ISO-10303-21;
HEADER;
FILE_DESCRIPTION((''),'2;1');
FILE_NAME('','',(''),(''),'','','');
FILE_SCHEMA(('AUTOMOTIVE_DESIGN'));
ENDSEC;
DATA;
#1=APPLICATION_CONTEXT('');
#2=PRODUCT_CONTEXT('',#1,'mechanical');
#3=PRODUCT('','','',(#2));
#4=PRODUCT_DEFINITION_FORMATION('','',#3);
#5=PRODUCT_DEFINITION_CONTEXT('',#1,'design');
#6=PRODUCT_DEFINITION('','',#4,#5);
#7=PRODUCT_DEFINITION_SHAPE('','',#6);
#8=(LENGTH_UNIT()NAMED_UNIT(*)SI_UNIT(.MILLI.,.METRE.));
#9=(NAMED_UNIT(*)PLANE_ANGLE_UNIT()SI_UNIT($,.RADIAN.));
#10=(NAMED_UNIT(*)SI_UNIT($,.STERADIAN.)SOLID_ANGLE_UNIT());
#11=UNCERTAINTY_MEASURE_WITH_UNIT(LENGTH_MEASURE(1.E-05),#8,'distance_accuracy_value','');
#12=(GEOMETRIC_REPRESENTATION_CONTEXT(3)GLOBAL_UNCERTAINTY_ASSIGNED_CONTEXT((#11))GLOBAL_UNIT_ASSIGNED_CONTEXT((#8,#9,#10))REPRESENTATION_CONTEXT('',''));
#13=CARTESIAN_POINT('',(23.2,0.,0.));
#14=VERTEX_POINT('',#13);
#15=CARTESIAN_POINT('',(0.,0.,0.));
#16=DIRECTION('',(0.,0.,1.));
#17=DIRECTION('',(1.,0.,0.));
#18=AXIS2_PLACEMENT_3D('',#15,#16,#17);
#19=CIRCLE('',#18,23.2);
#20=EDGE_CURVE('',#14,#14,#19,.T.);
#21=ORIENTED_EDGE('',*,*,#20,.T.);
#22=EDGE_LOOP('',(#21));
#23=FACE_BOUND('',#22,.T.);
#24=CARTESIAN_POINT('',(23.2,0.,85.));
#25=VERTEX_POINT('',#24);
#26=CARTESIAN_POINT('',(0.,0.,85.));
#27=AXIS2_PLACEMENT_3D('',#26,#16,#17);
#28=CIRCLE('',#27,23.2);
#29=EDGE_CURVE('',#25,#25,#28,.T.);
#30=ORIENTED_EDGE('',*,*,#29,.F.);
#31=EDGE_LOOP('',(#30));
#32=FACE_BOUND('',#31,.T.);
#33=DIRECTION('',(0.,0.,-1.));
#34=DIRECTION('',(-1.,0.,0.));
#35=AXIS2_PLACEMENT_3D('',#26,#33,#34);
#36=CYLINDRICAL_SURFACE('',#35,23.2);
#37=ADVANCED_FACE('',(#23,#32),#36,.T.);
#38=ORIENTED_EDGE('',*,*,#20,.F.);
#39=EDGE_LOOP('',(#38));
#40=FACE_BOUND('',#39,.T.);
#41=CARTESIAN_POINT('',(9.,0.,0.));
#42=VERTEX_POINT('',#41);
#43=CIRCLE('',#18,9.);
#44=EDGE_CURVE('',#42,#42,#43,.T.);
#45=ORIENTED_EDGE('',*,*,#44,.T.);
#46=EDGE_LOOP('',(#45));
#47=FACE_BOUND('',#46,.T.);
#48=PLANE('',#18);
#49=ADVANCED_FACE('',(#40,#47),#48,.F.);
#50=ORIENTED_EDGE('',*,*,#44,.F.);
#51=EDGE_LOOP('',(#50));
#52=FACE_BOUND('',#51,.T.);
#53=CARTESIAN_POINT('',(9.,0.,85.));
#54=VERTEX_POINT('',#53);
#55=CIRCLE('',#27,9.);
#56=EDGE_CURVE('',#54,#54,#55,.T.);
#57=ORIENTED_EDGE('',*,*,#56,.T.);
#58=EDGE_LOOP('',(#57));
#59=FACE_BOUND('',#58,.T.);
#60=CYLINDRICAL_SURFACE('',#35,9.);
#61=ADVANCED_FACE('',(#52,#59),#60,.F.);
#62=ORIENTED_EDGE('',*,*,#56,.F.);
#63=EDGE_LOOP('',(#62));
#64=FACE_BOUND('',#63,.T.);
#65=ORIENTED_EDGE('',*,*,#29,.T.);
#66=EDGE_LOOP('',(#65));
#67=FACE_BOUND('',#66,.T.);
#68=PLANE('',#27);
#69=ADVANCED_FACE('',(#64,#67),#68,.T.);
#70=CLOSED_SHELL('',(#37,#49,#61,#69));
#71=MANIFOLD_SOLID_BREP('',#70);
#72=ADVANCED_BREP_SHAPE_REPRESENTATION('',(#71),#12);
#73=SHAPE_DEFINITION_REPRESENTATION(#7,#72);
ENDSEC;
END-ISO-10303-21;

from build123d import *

# Parameters (mm, degrees)
CROQUIS1_R              = 23.2
CROQUIS1_R_2            = 9
SALIENTE_EXTRUIR1_DEPTH = 85


with BuildPart() as part:
    # Croquis1 → Saliente-Extruir1 (new body)
    with BuildSketch(Plane.XY):
        Circle(CROQUIS1_R)
        Circle(CROQUIS1_R_2, mode=Mode.SUBTRACT)
    extrude(amount=SALIENTE_EXTRUIR1_DEPTH)


solid = part.part
